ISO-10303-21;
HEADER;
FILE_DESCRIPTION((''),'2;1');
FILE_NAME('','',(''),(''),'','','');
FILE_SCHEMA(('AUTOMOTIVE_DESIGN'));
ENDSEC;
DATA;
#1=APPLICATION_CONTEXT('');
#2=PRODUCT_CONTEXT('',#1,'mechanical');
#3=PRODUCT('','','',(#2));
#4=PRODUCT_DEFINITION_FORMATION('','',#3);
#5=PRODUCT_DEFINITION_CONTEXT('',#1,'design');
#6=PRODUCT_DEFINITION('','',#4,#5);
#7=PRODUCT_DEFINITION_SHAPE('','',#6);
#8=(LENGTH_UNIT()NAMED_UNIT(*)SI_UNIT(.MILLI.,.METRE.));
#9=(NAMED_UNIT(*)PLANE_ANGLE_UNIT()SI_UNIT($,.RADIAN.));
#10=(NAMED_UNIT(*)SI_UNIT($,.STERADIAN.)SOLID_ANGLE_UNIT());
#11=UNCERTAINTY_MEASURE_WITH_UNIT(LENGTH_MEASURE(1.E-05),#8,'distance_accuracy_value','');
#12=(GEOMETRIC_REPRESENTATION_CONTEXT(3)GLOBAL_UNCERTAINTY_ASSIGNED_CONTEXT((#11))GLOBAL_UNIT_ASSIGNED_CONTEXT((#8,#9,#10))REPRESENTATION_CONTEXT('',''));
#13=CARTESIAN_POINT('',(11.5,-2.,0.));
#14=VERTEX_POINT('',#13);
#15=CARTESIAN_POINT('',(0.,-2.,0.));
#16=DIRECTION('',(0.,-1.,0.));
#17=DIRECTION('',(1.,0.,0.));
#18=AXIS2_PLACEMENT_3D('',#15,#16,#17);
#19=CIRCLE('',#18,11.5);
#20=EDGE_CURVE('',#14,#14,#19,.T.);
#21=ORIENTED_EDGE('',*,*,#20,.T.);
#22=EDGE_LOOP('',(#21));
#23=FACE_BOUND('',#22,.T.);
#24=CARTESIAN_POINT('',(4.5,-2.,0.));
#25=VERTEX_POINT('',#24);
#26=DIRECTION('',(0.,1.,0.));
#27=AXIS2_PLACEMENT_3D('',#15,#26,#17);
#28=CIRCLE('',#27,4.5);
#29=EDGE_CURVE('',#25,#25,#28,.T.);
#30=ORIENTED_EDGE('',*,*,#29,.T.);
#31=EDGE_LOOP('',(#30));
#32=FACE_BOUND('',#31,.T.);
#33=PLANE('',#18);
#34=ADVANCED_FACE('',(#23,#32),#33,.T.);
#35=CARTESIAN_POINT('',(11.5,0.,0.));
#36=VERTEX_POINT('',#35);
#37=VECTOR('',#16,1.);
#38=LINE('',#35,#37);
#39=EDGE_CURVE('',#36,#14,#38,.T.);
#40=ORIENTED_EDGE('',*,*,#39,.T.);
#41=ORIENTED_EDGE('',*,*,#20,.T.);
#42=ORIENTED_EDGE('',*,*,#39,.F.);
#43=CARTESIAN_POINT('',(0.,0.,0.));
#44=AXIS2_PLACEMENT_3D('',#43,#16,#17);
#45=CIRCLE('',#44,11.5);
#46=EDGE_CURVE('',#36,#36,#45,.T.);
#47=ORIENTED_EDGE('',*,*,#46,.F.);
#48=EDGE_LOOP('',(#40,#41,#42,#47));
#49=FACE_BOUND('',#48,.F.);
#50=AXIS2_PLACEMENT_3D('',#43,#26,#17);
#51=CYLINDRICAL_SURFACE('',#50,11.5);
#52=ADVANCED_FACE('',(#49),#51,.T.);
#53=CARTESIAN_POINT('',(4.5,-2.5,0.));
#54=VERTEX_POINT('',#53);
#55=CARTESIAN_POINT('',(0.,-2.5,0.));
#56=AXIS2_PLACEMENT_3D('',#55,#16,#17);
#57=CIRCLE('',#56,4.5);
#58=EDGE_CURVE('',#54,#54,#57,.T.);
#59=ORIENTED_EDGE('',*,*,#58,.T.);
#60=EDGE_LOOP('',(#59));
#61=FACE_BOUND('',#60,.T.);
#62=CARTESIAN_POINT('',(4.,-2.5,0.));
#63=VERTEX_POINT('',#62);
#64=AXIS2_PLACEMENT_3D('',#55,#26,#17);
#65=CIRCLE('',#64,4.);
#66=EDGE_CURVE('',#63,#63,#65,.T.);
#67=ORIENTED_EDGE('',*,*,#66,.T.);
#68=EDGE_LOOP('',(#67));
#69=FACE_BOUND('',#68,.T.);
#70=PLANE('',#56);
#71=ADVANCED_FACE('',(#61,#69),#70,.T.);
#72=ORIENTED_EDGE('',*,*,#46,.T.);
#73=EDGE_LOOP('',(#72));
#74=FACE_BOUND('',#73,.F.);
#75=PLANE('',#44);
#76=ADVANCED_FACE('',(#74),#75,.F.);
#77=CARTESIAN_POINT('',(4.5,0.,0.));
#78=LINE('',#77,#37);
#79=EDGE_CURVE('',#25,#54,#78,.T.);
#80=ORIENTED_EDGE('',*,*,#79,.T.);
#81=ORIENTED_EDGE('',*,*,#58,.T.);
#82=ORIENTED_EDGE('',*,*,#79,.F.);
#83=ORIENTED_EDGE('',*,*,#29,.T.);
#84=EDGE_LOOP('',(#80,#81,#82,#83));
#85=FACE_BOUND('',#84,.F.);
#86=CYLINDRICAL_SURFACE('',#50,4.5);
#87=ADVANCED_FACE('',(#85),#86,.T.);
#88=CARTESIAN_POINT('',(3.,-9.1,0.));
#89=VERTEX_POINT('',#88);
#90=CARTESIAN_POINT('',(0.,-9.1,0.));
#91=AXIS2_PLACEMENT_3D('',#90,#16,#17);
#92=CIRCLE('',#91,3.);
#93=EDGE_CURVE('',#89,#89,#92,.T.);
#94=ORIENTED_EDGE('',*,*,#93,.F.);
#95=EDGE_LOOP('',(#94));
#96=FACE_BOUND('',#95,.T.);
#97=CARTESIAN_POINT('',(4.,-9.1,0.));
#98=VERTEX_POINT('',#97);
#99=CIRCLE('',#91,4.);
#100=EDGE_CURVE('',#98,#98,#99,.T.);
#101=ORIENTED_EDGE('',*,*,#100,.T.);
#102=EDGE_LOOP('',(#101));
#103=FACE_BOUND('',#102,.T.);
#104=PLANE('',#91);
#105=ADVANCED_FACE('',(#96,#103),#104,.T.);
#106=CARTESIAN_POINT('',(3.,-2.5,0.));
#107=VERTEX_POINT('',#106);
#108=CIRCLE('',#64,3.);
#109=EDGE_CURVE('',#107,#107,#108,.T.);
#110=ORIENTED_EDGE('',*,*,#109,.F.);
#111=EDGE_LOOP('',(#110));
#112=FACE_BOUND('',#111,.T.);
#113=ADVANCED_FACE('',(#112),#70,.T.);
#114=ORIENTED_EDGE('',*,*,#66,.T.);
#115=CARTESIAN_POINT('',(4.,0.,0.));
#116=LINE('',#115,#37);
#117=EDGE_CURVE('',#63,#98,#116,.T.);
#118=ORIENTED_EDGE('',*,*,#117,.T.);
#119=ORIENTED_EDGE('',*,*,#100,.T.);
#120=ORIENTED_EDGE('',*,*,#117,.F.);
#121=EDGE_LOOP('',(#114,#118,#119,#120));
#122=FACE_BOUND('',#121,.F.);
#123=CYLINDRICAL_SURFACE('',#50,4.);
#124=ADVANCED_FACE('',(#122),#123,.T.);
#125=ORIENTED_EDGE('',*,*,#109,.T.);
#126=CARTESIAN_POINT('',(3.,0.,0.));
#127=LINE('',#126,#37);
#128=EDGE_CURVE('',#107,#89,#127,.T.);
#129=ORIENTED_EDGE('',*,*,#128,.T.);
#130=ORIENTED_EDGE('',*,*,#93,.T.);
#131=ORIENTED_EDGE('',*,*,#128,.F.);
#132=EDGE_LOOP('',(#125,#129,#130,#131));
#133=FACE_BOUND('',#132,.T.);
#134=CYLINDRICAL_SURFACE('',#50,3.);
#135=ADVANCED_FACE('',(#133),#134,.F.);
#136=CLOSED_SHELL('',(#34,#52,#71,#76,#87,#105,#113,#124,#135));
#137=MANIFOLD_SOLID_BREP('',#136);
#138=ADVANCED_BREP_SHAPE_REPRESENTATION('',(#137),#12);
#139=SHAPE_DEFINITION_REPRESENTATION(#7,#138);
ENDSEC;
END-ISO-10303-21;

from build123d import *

# Parameters (mm, degrees)
F0_R     = 4
F0_R_2   = 3
F2_DEPTH = 9.1
F1_R     = 11.5
F3_DEPTH = 2
F4_R     = 4.5
F5_DEPTH = 2.5


with BuildPart() as f2:
    # F0 (on Front) → F2 (new body)
    with BuildSketch(Plane.XZ):
        Circle(F0_R)
        Circle(F0_R_2, mode=Mode.SUBTRACT)
    extrude(amount=F2_DEPTH)

    # F1 (on Front) → F3 (join)
    with BuildSketch(Plane.XZ):
        Circle(F1_R)
    extrude(amount=F3_DEPTH)

    # F4 (on Front) → F5 (join)
    with BuildSketch(Plane.XZ):
        Circle(F4_R)
    extrude(amount=F5_DEPTH)


solid = f2.part
